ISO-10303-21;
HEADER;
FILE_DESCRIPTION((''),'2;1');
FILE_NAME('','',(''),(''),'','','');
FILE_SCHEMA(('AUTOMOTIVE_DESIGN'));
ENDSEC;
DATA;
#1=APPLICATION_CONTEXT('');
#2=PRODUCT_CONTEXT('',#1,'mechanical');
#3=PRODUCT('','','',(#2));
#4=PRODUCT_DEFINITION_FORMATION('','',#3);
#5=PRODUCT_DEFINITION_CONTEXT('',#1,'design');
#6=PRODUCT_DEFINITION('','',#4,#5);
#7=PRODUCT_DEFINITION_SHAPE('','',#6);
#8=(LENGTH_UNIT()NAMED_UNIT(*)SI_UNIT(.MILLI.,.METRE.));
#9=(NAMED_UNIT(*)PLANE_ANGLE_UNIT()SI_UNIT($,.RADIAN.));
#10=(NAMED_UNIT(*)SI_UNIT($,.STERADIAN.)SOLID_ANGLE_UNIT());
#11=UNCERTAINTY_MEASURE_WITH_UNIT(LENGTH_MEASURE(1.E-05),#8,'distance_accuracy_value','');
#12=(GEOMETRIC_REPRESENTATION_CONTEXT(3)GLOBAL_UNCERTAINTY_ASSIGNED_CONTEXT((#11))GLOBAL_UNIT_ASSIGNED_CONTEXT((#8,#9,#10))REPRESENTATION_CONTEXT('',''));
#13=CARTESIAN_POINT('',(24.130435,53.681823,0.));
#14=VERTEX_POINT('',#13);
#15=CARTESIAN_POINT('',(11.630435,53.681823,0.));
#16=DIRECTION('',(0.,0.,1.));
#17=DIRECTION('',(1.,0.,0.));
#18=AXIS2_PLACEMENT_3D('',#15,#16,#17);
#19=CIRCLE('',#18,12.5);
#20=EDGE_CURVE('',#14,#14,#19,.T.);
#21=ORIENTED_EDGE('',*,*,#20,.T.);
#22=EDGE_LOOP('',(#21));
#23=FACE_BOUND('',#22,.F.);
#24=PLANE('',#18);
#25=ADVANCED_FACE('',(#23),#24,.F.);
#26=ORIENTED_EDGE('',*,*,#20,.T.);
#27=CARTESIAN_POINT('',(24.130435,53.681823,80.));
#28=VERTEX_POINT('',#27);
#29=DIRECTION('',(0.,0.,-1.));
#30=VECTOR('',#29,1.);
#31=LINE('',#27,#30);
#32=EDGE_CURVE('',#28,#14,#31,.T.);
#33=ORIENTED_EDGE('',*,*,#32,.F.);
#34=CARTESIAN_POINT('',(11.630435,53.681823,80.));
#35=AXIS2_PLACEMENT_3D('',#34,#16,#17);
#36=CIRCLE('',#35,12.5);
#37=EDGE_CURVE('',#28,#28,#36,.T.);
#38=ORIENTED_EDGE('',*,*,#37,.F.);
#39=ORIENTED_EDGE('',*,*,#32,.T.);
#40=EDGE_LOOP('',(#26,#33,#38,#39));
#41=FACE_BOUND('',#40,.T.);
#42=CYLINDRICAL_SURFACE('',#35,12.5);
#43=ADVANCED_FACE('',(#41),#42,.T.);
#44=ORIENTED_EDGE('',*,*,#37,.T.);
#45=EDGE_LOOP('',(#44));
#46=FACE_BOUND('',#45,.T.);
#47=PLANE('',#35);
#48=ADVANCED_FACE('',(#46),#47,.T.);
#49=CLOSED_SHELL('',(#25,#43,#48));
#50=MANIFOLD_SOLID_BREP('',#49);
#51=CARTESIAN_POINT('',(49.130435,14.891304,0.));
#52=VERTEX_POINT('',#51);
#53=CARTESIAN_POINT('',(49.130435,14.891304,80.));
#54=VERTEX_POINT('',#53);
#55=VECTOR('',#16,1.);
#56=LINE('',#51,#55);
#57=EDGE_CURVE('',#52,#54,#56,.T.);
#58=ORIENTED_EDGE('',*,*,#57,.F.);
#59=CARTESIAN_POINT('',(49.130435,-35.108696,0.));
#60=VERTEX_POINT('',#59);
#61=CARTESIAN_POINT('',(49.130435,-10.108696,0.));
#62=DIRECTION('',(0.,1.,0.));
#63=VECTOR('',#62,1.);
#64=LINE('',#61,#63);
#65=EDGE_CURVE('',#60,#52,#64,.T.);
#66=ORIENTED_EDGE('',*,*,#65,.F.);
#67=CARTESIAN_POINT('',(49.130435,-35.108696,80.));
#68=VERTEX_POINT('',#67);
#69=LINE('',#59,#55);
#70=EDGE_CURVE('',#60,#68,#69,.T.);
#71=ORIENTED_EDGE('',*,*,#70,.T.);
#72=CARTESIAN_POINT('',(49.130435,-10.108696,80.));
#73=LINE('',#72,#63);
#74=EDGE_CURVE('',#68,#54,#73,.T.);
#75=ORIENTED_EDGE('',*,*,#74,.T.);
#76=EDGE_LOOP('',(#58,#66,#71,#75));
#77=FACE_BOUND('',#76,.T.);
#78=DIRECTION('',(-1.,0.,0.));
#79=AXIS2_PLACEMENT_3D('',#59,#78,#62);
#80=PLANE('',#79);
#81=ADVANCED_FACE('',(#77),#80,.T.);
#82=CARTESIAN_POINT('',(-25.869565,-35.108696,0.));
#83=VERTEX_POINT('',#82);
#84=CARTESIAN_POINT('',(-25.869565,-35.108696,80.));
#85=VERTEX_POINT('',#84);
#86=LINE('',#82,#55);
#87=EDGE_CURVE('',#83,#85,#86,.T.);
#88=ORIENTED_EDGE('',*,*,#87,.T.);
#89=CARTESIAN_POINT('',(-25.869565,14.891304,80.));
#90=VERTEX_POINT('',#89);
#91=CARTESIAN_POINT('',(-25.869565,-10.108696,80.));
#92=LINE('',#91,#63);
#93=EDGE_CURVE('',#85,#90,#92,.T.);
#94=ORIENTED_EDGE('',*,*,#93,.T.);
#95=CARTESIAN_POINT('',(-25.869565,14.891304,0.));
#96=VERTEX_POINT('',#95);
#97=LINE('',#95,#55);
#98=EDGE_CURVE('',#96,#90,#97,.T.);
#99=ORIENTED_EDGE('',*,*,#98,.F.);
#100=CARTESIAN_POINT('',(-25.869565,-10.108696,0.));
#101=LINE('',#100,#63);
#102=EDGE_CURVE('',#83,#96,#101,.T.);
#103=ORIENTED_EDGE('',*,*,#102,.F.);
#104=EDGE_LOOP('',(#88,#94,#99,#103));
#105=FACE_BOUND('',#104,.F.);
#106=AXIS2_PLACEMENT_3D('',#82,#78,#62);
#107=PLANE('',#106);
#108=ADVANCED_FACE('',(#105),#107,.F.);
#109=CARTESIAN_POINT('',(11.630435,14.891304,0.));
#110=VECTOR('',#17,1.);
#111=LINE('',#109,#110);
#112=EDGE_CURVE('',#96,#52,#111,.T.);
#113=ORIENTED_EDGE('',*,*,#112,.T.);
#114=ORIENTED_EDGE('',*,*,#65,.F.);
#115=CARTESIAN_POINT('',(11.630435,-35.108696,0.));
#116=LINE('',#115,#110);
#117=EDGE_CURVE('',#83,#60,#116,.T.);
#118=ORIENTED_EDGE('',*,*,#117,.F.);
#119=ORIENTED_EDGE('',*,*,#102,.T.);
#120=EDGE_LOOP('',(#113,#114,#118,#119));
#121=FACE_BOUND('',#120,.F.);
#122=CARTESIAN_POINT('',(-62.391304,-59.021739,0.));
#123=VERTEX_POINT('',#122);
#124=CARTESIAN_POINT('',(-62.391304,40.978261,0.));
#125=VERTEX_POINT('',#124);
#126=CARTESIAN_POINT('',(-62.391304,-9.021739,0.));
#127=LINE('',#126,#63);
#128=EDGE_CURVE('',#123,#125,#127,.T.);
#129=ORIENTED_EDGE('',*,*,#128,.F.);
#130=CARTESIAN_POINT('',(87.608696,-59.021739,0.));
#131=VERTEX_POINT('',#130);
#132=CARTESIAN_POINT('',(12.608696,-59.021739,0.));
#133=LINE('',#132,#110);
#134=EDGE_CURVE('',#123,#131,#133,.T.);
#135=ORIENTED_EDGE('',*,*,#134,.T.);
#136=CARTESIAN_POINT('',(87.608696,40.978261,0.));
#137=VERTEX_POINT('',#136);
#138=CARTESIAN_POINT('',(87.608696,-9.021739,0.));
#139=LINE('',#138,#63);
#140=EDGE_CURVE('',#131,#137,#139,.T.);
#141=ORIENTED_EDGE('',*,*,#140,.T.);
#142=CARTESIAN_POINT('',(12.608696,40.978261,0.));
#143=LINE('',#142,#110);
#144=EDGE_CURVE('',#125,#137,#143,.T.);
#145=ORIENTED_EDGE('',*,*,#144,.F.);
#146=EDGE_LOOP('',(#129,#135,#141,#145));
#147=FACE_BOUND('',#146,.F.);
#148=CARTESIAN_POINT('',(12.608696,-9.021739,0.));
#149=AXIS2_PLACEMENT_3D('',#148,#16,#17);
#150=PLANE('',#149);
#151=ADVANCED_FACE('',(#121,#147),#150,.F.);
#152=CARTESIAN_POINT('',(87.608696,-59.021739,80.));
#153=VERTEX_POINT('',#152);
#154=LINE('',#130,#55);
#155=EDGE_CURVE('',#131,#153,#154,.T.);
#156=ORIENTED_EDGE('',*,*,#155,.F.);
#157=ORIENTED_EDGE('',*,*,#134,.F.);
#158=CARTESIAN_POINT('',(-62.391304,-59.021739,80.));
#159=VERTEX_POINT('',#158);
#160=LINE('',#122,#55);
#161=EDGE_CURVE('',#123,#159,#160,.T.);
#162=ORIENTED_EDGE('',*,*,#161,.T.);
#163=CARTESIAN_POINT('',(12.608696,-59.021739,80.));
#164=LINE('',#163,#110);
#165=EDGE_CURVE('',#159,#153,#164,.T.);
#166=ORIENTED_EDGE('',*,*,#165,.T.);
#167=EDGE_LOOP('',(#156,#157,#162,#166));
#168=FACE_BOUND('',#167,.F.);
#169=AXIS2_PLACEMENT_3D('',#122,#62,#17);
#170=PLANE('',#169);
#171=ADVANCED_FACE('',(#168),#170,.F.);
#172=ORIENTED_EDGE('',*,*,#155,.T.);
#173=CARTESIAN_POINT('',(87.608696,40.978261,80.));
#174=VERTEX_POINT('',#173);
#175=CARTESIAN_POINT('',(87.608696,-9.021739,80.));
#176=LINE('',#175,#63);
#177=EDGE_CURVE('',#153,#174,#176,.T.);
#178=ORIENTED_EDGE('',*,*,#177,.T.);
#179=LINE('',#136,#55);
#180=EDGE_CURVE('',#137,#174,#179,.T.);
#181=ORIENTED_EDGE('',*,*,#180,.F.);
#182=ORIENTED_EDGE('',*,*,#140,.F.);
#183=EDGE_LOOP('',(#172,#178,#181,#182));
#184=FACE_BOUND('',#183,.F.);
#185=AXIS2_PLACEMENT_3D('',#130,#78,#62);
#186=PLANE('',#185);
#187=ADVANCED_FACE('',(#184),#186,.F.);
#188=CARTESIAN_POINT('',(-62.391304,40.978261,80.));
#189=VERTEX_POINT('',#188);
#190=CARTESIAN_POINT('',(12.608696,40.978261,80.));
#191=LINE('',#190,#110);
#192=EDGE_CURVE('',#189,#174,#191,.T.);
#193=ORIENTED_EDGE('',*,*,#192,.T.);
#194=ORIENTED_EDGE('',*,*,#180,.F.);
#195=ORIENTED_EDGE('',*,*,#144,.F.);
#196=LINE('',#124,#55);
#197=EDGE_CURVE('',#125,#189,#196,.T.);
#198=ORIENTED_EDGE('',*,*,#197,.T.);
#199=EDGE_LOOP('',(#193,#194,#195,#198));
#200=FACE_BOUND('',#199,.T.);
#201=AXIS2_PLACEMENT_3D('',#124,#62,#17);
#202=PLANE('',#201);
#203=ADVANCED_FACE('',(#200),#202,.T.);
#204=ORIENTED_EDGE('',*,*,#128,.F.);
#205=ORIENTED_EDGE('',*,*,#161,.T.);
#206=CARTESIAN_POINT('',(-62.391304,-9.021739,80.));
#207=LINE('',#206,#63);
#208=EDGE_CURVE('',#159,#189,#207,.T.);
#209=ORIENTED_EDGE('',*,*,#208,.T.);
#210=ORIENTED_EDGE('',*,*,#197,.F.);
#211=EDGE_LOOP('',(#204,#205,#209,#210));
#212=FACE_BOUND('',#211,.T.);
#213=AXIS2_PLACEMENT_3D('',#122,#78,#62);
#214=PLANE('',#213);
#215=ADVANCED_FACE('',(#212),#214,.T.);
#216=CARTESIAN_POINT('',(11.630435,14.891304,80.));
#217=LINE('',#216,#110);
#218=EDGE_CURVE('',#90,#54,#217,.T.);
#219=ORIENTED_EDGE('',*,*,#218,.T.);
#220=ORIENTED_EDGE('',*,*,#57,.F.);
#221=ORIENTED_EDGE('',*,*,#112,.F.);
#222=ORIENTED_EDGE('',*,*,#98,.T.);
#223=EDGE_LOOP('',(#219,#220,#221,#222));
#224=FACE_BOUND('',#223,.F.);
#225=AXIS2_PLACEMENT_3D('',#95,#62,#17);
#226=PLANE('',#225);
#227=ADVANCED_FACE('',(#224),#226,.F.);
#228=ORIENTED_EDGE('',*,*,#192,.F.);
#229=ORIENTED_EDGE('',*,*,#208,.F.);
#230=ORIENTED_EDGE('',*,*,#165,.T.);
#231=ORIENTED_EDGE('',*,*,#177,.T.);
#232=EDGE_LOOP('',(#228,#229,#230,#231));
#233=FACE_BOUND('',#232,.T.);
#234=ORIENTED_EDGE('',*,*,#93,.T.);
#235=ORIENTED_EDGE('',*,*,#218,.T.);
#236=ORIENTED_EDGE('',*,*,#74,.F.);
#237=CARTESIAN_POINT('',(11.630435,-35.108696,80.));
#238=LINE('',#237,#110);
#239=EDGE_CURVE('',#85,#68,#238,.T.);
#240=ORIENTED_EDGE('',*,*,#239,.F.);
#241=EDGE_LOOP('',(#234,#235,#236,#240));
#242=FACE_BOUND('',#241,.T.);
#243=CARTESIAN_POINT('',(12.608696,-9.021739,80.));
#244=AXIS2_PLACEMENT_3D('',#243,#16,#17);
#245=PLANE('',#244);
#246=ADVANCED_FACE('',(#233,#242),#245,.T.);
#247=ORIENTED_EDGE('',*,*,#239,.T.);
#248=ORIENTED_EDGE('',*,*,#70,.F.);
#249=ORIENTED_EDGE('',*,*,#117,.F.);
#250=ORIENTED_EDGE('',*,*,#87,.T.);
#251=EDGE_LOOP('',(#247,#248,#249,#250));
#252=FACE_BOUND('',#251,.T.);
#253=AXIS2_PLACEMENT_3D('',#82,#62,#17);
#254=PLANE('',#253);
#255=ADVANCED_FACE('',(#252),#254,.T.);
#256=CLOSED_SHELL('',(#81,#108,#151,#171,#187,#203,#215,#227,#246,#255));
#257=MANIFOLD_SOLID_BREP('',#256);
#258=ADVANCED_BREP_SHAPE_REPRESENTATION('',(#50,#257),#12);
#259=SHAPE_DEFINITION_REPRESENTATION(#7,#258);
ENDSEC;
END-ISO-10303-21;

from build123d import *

# Parameters (mm, degrees)
ESQUISSE1_W        = 150
ESQUISSE1_H        = 100
ESQUISSE1_W_2      = 75
ESQUISSE1_H_2      = 50
BOSS_EXTRU_1_DEPTH = 80
ESQUISSE3_R        = 12.5
BOSS_EXTRU_2_DEPTH = 80


with BuildPart() as part:
    # Esquisse1 → Boss.-Extru.1 (new body)
    with BuildSketch(Plane.XY):
        with Locations((12.608695652, -9.02173913)):
            Rectangle(ESQUISSE1_W, ESQUISSE1_H)
        with Locations((11.630434783, -10.108695652)):
            Rectangle(ESQUISSE1_W_2, ESQUISSE1_H_2, mode=Mode.SUBTRACT)
    extrude(amount=BOSS_EXTRU_1_DEPTH)


with BuildPart() as body_2:
    # Esquisse3 → Boss.-Extru.2 (new body)
    with BuildSketch(Plane.XY.offset(80)):
        with Locations((11.630434783, 53.681823265)):
            Circle(ESQUISSE3_R)
    extrude(amount=-BOSS_EXTRU_2_DEPTH)


solid = Compound([part.part, body_2.part])
